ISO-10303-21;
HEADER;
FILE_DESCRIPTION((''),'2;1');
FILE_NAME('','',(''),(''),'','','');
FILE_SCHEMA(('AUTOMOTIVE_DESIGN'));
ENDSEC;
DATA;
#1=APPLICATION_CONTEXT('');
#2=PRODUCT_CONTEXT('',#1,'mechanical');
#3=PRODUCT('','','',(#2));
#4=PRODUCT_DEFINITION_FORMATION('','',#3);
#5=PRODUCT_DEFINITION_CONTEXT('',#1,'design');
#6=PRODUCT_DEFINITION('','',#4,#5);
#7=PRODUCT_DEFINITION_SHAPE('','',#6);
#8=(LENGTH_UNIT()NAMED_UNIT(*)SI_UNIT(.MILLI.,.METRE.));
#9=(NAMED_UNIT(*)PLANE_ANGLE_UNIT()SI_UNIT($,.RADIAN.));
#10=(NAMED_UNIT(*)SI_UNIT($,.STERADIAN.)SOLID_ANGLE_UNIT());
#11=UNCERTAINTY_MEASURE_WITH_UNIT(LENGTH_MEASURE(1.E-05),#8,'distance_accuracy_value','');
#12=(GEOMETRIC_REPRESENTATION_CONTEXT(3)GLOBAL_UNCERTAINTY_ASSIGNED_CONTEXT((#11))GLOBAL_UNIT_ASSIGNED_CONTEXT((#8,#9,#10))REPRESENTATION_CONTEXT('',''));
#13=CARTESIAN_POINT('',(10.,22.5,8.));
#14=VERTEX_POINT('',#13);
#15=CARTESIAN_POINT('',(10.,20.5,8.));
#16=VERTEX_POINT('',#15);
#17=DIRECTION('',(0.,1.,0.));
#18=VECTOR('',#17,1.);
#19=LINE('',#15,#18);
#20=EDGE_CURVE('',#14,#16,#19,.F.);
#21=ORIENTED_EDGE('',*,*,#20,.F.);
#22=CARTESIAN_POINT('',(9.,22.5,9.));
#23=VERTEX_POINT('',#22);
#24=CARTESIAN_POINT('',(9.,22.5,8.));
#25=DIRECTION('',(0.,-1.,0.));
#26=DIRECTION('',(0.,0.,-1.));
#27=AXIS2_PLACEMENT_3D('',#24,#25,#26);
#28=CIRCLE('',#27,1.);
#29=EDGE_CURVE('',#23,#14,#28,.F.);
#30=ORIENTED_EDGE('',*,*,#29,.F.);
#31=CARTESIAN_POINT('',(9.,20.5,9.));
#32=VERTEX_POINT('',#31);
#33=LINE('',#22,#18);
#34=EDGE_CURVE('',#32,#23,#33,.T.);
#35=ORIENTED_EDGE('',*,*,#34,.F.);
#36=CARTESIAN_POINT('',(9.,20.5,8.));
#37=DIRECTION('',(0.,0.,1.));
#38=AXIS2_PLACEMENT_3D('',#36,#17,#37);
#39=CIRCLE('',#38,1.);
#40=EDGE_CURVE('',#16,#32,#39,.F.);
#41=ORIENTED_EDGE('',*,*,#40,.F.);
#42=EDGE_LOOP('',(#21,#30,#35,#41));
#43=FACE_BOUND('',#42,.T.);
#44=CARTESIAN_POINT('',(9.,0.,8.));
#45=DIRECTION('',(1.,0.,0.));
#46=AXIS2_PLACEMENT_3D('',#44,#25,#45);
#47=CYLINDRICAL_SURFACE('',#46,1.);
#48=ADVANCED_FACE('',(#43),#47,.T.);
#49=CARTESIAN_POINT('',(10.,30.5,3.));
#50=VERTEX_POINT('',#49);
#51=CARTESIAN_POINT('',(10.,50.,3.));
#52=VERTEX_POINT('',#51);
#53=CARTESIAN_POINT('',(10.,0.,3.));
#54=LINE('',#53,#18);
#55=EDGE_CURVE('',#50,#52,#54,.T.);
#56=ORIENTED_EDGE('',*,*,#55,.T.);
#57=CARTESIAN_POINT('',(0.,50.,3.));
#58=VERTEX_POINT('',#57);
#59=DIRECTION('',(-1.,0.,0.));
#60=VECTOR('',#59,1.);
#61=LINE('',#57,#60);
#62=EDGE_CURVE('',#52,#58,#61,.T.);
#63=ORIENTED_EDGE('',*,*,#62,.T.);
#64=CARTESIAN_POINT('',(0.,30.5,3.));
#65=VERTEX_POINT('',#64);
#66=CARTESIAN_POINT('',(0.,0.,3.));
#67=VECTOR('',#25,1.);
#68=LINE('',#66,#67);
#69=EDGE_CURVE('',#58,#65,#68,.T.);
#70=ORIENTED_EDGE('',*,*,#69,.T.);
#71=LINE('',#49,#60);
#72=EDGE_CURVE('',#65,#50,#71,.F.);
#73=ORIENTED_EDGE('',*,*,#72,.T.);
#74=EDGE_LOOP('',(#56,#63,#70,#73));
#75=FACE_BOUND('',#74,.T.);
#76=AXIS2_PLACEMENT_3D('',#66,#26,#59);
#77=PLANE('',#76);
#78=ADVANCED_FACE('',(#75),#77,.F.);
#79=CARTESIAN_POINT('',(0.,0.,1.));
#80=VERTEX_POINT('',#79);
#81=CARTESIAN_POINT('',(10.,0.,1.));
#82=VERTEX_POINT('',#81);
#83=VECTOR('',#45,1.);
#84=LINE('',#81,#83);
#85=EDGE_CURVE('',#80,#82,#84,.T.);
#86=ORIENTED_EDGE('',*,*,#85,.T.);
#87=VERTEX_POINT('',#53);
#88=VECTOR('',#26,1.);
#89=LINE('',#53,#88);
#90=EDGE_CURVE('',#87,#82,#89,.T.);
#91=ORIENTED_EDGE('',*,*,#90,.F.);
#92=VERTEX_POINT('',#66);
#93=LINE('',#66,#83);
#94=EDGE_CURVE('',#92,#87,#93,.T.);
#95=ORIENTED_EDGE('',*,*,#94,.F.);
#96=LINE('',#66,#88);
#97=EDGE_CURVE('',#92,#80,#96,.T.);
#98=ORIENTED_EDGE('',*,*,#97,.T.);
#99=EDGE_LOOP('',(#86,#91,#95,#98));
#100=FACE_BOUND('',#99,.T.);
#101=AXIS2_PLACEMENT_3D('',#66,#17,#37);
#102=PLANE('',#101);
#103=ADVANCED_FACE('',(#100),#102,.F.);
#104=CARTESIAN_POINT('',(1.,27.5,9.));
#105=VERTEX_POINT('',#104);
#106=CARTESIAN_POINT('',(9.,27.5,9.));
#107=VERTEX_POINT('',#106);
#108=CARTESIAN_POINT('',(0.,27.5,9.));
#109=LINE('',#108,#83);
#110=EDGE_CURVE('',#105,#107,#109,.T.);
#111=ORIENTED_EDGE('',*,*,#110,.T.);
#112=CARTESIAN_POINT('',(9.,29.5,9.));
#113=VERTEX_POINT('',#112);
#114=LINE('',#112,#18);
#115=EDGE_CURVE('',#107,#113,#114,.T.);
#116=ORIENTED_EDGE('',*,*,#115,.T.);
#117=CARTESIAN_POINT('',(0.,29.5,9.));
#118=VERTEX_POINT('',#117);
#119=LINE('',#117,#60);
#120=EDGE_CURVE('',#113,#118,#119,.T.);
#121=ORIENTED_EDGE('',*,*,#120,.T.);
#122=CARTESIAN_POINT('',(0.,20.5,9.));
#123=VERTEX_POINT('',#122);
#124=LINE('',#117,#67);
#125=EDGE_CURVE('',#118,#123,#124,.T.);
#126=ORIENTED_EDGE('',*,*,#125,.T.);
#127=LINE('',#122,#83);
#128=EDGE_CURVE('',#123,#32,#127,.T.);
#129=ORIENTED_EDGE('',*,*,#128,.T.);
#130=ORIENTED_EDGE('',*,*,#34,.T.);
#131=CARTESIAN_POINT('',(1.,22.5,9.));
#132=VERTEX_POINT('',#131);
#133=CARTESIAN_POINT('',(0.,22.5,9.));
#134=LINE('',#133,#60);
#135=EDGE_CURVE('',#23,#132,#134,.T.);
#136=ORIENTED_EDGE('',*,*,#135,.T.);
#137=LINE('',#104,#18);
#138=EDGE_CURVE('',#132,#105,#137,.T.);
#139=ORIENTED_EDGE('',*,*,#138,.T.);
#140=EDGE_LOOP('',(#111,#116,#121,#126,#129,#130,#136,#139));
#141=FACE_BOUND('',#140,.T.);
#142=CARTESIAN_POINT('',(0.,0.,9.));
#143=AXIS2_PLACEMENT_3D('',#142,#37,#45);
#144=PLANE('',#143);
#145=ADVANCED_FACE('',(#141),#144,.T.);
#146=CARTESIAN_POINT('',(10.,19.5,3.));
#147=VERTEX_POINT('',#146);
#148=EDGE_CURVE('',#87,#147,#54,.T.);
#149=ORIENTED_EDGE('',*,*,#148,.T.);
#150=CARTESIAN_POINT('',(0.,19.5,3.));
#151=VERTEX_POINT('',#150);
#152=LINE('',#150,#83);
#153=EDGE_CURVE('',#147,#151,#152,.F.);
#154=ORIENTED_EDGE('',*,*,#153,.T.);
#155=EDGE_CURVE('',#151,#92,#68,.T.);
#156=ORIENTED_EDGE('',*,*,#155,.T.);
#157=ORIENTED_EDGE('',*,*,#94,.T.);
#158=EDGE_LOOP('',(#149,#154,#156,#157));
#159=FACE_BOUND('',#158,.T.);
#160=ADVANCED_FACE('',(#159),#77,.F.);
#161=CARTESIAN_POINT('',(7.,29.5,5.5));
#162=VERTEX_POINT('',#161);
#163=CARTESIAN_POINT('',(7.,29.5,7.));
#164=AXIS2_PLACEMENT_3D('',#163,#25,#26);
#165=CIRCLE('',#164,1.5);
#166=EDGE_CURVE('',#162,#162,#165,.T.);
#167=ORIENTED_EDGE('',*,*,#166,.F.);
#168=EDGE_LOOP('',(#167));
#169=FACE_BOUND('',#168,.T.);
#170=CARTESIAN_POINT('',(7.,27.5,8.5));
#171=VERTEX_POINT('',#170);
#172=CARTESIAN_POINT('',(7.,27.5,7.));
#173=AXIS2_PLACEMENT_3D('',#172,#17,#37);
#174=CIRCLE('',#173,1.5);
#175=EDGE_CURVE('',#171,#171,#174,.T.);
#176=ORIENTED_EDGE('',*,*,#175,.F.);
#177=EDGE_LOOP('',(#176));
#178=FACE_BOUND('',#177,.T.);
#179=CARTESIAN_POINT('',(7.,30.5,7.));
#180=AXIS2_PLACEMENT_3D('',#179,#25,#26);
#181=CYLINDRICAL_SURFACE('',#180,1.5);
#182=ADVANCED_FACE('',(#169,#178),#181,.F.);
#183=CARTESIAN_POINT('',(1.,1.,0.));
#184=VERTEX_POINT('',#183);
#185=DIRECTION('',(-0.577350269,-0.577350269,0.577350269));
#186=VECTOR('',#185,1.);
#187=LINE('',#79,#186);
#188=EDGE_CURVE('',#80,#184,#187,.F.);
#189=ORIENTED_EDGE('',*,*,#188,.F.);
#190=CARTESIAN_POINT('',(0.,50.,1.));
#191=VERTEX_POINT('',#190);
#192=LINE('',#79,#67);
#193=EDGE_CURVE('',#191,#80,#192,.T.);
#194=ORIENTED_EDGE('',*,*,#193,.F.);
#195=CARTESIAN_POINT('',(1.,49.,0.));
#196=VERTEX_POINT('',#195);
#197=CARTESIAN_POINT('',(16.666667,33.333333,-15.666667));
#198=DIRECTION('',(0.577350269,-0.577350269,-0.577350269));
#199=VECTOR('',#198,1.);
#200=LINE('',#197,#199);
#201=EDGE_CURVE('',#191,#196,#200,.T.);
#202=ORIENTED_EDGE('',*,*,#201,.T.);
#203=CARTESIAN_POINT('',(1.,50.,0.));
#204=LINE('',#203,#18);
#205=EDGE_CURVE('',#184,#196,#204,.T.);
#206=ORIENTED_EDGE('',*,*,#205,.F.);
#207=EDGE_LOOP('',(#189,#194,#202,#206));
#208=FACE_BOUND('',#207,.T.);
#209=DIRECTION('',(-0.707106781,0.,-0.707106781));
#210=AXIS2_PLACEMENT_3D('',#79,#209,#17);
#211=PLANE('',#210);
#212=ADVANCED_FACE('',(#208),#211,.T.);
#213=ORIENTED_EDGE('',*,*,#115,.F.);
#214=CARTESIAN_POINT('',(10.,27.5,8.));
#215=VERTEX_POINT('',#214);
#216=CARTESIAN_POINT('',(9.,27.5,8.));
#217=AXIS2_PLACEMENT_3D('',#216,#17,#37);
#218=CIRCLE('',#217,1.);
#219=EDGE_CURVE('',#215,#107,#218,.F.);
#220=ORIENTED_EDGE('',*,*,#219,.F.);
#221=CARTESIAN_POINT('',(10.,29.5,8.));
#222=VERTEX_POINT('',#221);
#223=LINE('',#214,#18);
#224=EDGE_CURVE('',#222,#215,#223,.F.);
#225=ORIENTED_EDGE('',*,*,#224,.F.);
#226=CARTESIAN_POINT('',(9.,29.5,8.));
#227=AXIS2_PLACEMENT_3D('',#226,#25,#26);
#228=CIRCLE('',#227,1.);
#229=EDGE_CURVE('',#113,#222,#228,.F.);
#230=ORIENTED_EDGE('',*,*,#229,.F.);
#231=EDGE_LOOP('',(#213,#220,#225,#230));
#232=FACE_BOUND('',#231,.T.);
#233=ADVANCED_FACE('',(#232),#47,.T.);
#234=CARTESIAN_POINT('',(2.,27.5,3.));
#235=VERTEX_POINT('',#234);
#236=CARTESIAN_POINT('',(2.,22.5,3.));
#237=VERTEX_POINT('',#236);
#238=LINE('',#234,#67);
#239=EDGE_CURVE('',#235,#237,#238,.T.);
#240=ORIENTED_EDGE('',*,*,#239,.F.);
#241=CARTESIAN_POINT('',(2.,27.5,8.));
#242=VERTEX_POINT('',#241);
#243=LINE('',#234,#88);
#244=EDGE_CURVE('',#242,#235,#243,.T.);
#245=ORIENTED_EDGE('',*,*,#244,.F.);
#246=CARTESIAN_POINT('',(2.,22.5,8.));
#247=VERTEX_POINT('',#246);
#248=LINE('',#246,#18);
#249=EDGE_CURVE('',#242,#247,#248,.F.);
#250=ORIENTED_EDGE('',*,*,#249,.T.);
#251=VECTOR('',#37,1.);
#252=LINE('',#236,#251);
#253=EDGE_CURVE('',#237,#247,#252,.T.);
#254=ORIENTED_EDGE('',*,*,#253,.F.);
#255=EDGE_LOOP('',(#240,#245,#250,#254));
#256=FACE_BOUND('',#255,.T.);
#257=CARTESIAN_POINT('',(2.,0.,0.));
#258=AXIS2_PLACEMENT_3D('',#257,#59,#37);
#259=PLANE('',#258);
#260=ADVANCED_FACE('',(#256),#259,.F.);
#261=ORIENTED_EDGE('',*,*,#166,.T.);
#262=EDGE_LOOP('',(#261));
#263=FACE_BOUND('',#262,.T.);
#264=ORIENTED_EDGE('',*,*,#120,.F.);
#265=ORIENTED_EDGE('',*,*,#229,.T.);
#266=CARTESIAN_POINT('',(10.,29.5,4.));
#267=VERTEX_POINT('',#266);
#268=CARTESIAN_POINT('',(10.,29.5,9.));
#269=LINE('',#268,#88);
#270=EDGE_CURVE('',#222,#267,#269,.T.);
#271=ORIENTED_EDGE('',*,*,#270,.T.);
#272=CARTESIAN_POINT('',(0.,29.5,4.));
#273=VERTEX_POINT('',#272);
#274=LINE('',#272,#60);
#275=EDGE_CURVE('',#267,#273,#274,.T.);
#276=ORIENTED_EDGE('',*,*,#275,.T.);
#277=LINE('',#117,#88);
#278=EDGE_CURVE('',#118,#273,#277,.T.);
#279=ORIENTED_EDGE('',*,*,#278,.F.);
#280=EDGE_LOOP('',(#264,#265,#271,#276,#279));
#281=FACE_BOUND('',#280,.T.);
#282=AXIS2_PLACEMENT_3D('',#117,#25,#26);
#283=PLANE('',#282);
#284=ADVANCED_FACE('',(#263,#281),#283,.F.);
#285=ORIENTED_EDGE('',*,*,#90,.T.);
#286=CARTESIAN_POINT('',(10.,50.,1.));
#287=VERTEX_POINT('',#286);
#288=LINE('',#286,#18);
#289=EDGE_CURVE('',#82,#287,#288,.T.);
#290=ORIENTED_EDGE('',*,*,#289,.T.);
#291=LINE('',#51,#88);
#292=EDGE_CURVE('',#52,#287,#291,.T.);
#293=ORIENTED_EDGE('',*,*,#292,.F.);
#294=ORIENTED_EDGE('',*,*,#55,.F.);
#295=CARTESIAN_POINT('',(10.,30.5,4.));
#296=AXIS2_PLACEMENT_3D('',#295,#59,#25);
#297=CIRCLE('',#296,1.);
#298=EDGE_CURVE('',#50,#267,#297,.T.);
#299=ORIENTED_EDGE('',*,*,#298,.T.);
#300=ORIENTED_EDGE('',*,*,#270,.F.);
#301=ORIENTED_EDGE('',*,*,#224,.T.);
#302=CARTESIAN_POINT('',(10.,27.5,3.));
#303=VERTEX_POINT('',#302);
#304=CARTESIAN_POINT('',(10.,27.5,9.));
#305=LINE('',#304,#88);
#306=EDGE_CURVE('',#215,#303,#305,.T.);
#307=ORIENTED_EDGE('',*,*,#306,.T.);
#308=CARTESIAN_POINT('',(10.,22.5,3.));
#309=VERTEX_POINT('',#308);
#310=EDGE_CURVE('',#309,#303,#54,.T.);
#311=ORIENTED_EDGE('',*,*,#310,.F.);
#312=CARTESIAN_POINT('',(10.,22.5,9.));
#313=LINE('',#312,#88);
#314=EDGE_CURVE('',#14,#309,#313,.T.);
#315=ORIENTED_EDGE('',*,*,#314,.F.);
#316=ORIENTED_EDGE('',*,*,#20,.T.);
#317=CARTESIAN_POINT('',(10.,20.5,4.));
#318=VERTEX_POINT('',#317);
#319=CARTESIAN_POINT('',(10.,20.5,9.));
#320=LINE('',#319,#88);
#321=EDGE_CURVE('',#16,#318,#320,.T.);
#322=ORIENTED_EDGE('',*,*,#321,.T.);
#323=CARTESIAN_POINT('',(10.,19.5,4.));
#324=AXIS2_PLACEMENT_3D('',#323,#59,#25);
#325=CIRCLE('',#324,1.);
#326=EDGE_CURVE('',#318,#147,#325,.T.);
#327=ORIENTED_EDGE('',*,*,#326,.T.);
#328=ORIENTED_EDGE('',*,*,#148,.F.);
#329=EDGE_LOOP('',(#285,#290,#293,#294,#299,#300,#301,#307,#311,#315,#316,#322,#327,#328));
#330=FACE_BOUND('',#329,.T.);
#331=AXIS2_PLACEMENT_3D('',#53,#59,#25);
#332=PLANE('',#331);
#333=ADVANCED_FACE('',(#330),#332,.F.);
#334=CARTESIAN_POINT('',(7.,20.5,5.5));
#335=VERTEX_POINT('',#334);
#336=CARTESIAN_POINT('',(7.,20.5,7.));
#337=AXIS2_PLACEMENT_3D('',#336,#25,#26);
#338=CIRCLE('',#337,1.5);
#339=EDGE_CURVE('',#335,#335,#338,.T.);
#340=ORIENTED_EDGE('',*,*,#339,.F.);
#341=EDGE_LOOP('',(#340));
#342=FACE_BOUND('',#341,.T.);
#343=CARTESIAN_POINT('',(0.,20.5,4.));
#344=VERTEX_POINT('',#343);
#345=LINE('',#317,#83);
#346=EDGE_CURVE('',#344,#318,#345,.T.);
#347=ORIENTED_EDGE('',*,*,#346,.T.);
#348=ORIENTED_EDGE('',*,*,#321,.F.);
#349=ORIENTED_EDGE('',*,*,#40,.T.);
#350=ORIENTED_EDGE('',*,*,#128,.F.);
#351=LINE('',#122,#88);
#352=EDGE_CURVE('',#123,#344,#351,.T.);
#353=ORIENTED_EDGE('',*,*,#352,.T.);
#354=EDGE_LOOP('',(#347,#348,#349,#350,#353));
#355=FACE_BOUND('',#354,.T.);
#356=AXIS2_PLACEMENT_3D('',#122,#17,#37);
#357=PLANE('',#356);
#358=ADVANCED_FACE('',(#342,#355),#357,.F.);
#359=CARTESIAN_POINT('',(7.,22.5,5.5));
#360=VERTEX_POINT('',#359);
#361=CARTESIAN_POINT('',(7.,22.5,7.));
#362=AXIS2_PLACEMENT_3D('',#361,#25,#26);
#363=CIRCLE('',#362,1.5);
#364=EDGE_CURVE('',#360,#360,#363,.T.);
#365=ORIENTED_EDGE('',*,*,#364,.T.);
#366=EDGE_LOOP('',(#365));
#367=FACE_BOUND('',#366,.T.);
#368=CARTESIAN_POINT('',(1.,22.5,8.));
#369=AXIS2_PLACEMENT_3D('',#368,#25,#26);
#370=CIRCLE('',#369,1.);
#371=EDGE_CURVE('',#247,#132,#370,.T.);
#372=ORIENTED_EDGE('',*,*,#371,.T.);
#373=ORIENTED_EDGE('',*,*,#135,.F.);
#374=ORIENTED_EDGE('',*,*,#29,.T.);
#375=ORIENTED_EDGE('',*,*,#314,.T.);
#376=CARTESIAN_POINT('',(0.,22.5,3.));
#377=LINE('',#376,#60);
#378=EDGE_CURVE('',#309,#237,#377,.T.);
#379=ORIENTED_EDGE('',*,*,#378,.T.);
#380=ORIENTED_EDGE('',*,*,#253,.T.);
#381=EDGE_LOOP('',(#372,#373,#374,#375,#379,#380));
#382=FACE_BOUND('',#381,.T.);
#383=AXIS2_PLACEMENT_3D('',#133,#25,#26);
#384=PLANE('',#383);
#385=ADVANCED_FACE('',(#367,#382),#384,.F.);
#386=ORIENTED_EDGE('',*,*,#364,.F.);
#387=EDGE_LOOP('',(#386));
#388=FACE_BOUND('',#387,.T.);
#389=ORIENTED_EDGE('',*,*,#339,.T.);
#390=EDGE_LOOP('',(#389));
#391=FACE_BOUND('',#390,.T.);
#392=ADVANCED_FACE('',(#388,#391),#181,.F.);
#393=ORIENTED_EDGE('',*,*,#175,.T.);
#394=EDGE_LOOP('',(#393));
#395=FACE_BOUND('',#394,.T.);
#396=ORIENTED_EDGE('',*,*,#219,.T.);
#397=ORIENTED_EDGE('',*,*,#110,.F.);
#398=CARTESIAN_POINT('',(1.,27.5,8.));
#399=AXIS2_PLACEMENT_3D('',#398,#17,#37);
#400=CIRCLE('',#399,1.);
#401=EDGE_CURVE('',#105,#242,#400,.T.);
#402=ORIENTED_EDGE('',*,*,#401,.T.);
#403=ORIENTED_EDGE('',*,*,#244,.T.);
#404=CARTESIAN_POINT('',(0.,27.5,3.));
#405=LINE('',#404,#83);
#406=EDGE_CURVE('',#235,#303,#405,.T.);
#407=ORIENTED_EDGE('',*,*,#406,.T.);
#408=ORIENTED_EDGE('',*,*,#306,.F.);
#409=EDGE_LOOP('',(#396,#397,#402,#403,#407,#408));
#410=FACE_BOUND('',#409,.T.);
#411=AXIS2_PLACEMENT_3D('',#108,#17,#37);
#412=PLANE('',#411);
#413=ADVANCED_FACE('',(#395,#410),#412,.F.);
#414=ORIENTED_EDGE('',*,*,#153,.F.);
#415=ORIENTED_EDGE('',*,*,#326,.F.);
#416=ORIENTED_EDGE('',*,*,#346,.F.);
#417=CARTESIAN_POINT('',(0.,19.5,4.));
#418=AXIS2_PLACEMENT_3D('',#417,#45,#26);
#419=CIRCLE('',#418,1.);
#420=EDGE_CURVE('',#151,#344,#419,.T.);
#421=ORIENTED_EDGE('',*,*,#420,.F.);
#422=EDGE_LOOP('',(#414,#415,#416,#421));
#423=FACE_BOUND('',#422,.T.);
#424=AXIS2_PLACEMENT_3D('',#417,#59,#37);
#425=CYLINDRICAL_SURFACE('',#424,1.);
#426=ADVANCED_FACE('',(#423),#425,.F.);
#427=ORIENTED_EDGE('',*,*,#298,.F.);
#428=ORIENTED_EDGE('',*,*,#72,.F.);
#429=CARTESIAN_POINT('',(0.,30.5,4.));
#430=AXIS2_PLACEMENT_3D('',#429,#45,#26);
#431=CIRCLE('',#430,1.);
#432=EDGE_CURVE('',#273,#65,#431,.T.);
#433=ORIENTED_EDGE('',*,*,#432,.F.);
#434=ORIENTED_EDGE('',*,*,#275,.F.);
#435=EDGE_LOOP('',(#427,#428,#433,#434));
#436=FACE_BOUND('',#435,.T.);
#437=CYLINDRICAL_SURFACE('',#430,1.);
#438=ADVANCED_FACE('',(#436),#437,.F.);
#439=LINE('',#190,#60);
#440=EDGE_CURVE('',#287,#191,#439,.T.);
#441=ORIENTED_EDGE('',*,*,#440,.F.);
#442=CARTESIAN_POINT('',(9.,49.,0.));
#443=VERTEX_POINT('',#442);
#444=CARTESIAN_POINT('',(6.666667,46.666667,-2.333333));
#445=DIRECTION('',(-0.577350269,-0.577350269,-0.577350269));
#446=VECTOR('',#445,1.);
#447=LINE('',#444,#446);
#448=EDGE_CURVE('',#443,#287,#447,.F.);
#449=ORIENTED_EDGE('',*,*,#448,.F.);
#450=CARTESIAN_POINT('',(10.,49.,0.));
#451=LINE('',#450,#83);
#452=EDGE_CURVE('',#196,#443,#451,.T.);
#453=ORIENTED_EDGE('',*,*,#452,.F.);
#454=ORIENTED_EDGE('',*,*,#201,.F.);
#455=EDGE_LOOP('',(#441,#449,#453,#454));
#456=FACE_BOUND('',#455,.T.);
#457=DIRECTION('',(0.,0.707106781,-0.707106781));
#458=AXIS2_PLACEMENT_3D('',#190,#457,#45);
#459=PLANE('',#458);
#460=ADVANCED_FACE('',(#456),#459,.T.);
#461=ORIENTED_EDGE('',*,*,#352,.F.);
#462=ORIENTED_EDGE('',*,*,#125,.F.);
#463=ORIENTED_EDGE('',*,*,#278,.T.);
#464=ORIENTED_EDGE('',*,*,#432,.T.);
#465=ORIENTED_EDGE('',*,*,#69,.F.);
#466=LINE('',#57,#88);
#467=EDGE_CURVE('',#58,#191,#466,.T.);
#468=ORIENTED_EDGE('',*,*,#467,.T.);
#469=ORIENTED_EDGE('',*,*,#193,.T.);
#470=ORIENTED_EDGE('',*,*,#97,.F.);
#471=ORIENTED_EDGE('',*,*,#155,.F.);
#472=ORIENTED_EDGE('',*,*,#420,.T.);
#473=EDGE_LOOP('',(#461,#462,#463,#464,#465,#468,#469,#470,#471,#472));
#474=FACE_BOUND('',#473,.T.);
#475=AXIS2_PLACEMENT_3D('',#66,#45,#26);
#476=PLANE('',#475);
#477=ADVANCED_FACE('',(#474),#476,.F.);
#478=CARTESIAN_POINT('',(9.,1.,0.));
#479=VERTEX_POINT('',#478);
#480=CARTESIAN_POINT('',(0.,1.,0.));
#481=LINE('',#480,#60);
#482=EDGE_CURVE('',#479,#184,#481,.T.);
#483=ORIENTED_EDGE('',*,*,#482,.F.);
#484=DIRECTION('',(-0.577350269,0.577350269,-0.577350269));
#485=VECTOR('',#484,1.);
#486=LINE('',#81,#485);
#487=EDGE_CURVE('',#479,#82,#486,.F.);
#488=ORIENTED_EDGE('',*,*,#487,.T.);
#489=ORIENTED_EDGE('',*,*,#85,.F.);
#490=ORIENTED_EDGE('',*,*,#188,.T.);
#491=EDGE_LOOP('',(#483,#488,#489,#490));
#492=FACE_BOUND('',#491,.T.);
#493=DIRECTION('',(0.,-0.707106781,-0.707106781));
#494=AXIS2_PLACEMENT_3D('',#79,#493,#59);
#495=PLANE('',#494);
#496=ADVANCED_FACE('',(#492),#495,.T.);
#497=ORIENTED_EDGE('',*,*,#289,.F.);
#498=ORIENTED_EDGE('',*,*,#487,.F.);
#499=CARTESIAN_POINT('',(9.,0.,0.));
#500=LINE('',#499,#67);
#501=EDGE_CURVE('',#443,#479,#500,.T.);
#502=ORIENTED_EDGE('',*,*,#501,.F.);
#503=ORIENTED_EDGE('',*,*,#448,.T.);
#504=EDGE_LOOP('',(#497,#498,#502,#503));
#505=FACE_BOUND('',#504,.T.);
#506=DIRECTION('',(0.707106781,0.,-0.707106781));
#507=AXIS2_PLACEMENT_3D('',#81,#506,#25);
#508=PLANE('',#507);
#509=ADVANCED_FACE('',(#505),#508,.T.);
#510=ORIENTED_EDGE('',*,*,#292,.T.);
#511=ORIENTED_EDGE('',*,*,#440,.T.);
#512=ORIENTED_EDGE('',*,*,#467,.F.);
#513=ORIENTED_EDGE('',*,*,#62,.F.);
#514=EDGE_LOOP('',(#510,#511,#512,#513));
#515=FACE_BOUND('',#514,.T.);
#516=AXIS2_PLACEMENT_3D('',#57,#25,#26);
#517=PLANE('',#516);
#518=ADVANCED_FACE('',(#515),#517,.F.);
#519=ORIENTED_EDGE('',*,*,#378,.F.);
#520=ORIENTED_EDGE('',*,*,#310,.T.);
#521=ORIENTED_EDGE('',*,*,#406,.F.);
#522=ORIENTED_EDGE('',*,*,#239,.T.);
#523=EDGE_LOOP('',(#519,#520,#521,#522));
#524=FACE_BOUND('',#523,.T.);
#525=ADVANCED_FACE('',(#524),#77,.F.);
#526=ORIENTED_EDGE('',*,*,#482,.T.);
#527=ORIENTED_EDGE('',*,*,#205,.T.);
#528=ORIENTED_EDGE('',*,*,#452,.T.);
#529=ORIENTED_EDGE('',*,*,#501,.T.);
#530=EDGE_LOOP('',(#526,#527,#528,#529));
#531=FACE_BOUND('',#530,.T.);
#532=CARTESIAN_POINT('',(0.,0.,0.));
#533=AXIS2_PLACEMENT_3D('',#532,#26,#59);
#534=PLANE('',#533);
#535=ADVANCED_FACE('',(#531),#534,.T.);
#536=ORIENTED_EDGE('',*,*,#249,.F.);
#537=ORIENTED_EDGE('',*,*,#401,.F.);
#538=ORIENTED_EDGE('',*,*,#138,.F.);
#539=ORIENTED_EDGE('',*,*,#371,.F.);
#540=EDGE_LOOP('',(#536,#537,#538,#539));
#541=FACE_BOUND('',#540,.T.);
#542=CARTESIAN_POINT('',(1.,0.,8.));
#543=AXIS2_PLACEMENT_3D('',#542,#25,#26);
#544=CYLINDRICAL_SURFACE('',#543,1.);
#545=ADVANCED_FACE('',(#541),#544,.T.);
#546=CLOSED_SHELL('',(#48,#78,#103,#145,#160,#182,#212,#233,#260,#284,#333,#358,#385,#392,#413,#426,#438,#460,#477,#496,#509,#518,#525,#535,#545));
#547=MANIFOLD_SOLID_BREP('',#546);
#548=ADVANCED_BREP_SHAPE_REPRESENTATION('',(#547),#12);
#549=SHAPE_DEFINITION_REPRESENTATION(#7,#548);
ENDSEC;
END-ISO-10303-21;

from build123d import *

# Parameters (mm, degrees)
SKETCH1_W           = 10
SKETCH1_H           = 50
BOSS_EXTRUDE1_DEPTH = 3
CHAMFER1_SIZE       = 1
SKETCH2_W           = 10
SKETCH2_H           = 2
BOSS_EXTRUDE2_DEPTH = 6
SKETCH3_R           = 1.5
CUT_EXTRUDE1_DEPTH  = 10
FILLET1_R           = 1
FILLET2_R           = 1
SKETCH4_W           = 6
SKETCH4_H           = 5
BOSS_EXTRUDE3_DEPTH = 2
FILLET3_R           = 1


with BuildPart() as part:
    # Sketch1 → Boss-Extrude1 (new body)
    with BuildSketch(Plane.XY):
        with Locations((5, 25)):
            Rectangle(SKETCH1_W, SKETCH1_H)
    extrude(amount=BOSS_EXTRUDE1_DEPTH)

    # Chamfer1
    chamfer1_edges = [part.edges().sort_by_distance(p)[0] for p in [
        (5, 50, 0),
        (10, 25, 0),
        (5, 0, 0),
        (0, 25, 0),
    ]]
    chamfer(chamfer1_edges, length=CHAMFER1_SIZE)

    # Sketch2 → Boss-Extrude2 (add)
    with BuildSketch(Plane.XY.offset(3)):
        with Locations((5, 28.5)):
            Rectangle(SKETCH2_W, SKETCH2_H)
        with Locations((5, 21.5)):
            Rectangle(SKETCH2_W, SKETCH2_H)
    extrude(amount=BOSS_EXTRUDE2_DEPTH)

    # Sketch3 → Cut-Extrude1 (cut)
    with BuildSketch(Plane.XZ.offset(-20.5)):
        with Locations((7, 7)):
            Circle(SKETCH3_R)
    extrude(amount=-CUT_EXTRUDE1_DEPTH, mode=Mode.SUBTRACT)

    # Fillet1
    fillet1_edges = [part.edges().sort_by_distance(p)[0] for p in [
        (10, 28.5, 9),
        (10, 21.5, 9),
    ]]
    fillet(fillet1_edges, radius=FILLET1_R)

    # Fillet2
    fillet2_edges = [part.edges().sort_by_distance(p)[0] for p in [
        (5, 29.5, 3),
        (5, 20.5, 3),
    ]]
    fillet(fillet2_edges, radius=FILLET2_R)

    # Sketch4 → Boss-Extrude3 (add)
    with BuildSketch(Plane.ZY):
        with Locations((6, 25)):
            Rectangle(SKETCH4_W, SKETCH4_H)
    extrude(amount=-BOSS_EXTRUDE3_DEPTH)

    # Fillet3
    fillet3_edges = [part.edges().sort_by_distance(p)[0] for p in [
        (2, 25, 9),
    ]]
    fillet(fillet3_edges, radius=FILLET3_R)


solid = part.part
